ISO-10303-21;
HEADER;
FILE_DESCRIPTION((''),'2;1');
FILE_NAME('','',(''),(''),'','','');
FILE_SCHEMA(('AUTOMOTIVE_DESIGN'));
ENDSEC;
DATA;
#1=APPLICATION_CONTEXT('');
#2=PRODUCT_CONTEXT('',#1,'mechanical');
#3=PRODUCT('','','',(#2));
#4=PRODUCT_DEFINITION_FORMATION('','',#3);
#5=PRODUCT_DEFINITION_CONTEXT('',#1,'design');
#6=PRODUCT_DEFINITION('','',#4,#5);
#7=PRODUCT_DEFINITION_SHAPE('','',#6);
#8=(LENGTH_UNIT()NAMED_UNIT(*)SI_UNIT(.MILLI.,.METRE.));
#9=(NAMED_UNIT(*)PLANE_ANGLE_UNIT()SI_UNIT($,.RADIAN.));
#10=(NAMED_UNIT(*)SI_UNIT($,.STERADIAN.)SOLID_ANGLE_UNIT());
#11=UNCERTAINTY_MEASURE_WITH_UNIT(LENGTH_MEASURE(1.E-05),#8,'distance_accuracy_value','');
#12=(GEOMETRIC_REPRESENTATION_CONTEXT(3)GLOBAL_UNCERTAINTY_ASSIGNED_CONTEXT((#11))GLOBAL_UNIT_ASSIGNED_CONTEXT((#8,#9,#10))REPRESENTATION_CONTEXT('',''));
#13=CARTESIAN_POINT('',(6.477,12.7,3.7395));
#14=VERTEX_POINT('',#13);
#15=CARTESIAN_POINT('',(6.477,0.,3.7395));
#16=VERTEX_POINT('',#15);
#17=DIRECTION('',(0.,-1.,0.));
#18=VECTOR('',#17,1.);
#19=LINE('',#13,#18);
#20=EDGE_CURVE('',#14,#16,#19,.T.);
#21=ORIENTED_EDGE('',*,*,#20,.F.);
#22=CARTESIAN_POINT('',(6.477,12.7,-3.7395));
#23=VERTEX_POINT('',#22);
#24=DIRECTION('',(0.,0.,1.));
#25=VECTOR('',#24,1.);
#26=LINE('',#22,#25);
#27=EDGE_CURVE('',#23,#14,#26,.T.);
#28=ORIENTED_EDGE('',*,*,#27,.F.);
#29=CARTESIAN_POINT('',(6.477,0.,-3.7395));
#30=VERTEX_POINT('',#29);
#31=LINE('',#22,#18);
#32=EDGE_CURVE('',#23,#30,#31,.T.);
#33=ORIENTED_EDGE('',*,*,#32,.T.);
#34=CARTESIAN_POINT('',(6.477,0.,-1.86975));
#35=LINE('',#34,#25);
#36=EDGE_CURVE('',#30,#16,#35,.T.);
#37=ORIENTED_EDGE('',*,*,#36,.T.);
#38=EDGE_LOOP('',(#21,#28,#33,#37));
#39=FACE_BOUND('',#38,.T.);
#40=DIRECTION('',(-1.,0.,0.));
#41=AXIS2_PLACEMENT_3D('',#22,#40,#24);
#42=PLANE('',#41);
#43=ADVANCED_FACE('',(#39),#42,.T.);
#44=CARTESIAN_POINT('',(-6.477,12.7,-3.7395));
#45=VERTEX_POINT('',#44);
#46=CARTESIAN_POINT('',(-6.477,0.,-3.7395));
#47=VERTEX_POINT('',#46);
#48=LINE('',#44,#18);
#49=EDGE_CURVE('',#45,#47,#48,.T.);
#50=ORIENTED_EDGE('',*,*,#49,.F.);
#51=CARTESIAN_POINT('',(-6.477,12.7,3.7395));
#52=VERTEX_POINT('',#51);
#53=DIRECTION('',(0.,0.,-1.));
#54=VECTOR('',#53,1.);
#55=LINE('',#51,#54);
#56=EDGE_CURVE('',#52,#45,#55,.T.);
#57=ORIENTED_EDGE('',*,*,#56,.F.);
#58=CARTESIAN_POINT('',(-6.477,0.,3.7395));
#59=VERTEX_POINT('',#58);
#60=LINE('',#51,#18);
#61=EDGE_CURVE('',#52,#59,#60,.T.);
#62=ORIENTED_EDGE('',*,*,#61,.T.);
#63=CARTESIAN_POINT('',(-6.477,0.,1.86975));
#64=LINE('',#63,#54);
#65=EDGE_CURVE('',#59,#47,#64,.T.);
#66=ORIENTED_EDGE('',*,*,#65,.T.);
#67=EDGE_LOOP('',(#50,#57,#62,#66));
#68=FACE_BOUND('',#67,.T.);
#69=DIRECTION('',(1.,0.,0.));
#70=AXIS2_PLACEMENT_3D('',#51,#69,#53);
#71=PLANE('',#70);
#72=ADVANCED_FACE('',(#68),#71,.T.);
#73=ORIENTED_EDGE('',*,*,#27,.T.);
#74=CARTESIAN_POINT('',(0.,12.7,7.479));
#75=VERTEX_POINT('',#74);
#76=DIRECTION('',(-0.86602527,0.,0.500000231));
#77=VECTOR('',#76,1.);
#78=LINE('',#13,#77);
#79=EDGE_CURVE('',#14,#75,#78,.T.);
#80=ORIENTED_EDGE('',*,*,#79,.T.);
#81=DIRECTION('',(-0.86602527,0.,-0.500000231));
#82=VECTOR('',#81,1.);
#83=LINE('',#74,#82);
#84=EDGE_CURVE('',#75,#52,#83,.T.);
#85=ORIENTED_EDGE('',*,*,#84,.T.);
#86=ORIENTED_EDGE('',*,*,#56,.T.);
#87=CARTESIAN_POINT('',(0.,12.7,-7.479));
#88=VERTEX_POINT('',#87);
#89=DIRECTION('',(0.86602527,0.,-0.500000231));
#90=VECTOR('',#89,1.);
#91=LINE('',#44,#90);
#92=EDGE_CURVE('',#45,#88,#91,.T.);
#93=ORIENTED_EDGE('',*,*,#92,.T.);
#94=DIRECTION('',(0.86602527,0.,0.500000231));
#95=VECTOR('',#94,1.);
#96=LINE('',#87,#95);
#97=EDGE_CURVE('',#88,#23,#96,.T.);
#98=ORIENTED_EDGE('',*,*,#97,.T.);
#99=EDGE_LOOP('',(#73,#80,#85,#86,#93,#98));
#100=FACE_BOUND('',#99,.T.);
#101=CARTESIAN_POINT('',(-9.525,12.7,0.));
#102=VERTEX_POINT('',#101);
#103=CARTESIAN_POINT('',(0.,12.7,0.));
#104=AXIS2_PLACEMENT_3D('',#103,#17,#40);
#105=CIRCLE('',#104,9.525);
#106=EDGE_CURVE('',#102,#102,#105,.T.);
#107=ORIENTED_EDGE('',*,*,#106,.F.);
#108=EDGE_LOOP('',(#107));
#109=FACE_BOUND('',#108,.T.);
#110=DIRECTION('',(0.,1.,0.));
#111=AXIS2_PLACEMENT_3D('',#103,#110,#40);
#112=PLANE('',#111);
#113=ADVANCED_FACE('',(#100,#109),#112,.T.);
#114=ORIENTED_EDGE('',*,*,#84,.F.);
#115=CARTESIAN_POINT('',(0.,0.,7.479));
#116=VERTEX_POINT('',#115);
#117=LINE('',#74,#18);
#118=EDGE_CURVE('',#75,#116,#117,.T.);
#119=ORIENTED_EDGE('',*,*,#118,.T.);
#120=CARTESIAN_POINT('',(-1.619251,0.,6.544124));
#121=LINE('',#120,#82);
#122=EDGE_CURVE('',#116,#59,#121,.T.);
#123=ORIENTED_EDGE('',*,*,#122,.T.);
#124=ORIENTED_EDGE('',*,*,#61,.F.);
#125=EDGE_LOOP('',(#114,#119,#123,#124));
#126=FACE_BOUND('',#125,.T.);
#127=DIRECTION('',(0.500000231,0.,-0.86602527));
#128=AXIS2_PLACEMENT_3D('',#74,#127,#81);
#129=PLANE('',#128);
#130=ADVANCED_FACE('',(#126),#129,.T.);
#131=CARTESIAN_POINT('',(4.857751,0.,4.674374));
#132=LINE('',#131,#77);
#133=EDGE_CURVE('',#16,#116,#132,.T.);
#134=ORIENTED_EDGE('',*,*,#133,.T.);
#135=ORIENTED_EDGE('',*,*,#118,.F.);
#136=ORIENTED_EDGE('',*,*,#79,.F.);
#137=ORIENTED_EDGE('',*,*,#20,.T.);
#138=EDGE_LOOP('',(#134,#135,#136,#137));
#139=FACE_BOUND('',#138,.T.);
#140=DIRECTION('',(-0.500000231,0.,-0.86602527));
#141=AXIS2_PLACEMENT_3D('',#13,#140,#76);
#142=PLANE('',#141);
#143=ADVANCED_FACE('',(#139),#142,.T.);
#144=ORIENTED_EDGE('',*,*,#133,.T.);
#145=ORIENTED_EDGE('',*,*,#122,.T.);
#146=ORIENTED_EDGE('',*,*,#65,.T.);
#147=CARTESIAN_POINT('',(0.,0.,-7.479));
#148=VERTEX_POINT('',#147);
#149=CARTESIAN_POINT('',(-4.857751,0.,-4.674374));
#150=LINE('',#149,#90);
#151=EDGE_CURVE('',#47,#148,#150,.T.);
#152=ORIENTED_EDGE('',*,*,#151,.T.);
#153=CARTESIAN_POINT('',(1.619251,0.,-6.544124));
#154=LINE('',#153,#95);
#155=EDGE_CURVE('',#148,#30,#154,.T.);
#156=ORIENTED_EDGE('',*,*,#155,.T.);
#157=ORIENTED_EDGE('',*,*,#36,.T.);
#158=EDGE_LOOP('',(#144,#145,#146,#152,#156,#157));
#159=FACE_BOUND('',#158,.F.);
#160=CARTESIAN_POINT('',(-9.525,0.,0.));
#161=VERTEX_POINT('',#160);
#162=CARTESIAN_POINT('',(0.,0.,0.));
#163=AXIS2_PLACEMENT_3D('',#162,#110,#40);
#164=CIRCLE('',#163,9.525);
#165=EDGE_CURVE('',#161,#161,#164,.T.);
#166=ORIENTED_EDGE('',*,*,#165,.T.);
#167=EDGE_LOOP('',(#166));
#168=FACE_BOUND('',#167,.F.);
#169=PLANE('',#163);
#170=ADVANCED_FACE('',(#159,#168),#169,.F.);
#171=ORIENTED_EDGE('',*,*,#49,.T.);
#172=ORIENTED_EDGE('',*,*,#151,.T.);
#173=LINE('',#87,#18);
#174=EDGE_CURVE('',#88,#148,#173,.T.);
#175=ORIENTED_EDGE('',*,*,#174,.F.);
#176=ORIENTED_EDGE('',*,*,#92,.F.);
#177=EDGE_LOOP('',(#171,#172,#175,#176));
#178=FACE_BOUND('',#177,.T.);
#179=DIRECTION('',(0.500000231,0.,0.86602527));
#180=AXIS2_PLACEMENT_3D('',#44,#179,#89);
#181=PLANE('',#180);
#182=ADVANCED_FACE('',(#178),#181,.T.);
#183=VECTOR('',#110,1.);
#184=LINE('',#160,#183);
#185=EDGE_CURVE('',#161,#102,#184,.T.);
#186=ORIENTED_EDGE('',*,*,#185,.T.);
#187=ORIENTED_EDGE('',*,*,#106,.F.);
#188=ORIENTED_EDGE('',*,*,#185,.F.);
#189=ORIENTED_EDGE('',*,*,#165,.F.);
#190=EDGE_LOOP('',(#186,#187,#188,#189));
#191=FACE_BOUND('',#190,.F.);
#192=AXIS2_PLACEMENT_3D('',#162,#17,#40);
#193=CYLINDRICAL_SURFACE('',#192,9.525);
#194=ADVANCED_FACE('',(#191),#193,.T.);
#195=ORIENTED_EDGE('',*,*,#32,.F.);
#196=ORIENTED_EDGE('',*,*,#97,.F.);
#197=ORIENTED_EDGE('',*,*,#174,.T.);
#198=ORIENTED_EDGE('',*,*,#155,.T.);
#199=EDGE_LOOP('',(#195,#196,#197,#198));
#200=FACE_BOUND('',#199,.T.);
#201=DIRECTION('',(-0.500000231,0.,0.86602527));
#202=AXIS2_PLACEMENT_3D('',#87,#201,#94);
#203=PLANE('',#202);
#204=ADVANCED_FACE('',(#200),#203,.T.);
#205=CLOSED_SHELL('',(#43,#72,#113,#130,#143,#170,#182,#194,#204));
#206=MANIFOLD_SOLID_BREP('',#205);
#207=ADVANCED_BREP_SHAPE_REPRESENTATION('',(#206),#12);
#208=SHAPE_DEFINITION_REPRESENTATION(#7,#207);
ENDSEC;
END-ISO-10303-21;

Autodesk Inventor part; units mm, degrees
ref_plane "YZ Plane" through (0, 0, 0) normal (1, 0, 0) x (0, 1, 0)
ref_plane "XZ Plane" through (0, 0, 0) normal (0, 1, 0) x (-1, 0, 0)
ref_plane "XY Plane" through (0, 0, 0) normal (0, 0, 1) x (1, 0, 0)
sketch "Sketch1" plane through (0, 0, 0) normal (0, 1, 0) x (-1, 0, 0)
  line L0 (0, -13.335) -> (0, 13.335) projected
  line L1 (-13.335, 0) -> (13.335, 0) projected
  circle A0 centre (0, 0) radius 9.525
  dimension "d0" = 19.05
extrude "Extrusion1" add sketch "Sketch1" along normal blind 12.7
sketch "Sketch2" plane through (0, 12.7, 0) normal (0, 1, 0) x (1, 0, 0)
  line L0 (0, 7.479) -> (6.477, 3.7395)
  line L1 (6.477, 3.7395) -> (6.477, -3.7395)
  line L2 (6.477, -3.7395) -> (0, -7.479)
  line L3 (0, -7.479) -> (-6.477, -3.7395)
  line L4 (-6.477, -3.7395) -> (-6.477, 3.7395)
  line L5 (-6.477, 3.7395) -> (0, 7.479)
  point P0 (0, 0)
  point P1 (0, 0)
  dimension "d3" = 12.954
extrude "Extrusion2" cut sketch "Sketch2" against normal through all
properties part number "ShaftSpacer0.5inHex"
